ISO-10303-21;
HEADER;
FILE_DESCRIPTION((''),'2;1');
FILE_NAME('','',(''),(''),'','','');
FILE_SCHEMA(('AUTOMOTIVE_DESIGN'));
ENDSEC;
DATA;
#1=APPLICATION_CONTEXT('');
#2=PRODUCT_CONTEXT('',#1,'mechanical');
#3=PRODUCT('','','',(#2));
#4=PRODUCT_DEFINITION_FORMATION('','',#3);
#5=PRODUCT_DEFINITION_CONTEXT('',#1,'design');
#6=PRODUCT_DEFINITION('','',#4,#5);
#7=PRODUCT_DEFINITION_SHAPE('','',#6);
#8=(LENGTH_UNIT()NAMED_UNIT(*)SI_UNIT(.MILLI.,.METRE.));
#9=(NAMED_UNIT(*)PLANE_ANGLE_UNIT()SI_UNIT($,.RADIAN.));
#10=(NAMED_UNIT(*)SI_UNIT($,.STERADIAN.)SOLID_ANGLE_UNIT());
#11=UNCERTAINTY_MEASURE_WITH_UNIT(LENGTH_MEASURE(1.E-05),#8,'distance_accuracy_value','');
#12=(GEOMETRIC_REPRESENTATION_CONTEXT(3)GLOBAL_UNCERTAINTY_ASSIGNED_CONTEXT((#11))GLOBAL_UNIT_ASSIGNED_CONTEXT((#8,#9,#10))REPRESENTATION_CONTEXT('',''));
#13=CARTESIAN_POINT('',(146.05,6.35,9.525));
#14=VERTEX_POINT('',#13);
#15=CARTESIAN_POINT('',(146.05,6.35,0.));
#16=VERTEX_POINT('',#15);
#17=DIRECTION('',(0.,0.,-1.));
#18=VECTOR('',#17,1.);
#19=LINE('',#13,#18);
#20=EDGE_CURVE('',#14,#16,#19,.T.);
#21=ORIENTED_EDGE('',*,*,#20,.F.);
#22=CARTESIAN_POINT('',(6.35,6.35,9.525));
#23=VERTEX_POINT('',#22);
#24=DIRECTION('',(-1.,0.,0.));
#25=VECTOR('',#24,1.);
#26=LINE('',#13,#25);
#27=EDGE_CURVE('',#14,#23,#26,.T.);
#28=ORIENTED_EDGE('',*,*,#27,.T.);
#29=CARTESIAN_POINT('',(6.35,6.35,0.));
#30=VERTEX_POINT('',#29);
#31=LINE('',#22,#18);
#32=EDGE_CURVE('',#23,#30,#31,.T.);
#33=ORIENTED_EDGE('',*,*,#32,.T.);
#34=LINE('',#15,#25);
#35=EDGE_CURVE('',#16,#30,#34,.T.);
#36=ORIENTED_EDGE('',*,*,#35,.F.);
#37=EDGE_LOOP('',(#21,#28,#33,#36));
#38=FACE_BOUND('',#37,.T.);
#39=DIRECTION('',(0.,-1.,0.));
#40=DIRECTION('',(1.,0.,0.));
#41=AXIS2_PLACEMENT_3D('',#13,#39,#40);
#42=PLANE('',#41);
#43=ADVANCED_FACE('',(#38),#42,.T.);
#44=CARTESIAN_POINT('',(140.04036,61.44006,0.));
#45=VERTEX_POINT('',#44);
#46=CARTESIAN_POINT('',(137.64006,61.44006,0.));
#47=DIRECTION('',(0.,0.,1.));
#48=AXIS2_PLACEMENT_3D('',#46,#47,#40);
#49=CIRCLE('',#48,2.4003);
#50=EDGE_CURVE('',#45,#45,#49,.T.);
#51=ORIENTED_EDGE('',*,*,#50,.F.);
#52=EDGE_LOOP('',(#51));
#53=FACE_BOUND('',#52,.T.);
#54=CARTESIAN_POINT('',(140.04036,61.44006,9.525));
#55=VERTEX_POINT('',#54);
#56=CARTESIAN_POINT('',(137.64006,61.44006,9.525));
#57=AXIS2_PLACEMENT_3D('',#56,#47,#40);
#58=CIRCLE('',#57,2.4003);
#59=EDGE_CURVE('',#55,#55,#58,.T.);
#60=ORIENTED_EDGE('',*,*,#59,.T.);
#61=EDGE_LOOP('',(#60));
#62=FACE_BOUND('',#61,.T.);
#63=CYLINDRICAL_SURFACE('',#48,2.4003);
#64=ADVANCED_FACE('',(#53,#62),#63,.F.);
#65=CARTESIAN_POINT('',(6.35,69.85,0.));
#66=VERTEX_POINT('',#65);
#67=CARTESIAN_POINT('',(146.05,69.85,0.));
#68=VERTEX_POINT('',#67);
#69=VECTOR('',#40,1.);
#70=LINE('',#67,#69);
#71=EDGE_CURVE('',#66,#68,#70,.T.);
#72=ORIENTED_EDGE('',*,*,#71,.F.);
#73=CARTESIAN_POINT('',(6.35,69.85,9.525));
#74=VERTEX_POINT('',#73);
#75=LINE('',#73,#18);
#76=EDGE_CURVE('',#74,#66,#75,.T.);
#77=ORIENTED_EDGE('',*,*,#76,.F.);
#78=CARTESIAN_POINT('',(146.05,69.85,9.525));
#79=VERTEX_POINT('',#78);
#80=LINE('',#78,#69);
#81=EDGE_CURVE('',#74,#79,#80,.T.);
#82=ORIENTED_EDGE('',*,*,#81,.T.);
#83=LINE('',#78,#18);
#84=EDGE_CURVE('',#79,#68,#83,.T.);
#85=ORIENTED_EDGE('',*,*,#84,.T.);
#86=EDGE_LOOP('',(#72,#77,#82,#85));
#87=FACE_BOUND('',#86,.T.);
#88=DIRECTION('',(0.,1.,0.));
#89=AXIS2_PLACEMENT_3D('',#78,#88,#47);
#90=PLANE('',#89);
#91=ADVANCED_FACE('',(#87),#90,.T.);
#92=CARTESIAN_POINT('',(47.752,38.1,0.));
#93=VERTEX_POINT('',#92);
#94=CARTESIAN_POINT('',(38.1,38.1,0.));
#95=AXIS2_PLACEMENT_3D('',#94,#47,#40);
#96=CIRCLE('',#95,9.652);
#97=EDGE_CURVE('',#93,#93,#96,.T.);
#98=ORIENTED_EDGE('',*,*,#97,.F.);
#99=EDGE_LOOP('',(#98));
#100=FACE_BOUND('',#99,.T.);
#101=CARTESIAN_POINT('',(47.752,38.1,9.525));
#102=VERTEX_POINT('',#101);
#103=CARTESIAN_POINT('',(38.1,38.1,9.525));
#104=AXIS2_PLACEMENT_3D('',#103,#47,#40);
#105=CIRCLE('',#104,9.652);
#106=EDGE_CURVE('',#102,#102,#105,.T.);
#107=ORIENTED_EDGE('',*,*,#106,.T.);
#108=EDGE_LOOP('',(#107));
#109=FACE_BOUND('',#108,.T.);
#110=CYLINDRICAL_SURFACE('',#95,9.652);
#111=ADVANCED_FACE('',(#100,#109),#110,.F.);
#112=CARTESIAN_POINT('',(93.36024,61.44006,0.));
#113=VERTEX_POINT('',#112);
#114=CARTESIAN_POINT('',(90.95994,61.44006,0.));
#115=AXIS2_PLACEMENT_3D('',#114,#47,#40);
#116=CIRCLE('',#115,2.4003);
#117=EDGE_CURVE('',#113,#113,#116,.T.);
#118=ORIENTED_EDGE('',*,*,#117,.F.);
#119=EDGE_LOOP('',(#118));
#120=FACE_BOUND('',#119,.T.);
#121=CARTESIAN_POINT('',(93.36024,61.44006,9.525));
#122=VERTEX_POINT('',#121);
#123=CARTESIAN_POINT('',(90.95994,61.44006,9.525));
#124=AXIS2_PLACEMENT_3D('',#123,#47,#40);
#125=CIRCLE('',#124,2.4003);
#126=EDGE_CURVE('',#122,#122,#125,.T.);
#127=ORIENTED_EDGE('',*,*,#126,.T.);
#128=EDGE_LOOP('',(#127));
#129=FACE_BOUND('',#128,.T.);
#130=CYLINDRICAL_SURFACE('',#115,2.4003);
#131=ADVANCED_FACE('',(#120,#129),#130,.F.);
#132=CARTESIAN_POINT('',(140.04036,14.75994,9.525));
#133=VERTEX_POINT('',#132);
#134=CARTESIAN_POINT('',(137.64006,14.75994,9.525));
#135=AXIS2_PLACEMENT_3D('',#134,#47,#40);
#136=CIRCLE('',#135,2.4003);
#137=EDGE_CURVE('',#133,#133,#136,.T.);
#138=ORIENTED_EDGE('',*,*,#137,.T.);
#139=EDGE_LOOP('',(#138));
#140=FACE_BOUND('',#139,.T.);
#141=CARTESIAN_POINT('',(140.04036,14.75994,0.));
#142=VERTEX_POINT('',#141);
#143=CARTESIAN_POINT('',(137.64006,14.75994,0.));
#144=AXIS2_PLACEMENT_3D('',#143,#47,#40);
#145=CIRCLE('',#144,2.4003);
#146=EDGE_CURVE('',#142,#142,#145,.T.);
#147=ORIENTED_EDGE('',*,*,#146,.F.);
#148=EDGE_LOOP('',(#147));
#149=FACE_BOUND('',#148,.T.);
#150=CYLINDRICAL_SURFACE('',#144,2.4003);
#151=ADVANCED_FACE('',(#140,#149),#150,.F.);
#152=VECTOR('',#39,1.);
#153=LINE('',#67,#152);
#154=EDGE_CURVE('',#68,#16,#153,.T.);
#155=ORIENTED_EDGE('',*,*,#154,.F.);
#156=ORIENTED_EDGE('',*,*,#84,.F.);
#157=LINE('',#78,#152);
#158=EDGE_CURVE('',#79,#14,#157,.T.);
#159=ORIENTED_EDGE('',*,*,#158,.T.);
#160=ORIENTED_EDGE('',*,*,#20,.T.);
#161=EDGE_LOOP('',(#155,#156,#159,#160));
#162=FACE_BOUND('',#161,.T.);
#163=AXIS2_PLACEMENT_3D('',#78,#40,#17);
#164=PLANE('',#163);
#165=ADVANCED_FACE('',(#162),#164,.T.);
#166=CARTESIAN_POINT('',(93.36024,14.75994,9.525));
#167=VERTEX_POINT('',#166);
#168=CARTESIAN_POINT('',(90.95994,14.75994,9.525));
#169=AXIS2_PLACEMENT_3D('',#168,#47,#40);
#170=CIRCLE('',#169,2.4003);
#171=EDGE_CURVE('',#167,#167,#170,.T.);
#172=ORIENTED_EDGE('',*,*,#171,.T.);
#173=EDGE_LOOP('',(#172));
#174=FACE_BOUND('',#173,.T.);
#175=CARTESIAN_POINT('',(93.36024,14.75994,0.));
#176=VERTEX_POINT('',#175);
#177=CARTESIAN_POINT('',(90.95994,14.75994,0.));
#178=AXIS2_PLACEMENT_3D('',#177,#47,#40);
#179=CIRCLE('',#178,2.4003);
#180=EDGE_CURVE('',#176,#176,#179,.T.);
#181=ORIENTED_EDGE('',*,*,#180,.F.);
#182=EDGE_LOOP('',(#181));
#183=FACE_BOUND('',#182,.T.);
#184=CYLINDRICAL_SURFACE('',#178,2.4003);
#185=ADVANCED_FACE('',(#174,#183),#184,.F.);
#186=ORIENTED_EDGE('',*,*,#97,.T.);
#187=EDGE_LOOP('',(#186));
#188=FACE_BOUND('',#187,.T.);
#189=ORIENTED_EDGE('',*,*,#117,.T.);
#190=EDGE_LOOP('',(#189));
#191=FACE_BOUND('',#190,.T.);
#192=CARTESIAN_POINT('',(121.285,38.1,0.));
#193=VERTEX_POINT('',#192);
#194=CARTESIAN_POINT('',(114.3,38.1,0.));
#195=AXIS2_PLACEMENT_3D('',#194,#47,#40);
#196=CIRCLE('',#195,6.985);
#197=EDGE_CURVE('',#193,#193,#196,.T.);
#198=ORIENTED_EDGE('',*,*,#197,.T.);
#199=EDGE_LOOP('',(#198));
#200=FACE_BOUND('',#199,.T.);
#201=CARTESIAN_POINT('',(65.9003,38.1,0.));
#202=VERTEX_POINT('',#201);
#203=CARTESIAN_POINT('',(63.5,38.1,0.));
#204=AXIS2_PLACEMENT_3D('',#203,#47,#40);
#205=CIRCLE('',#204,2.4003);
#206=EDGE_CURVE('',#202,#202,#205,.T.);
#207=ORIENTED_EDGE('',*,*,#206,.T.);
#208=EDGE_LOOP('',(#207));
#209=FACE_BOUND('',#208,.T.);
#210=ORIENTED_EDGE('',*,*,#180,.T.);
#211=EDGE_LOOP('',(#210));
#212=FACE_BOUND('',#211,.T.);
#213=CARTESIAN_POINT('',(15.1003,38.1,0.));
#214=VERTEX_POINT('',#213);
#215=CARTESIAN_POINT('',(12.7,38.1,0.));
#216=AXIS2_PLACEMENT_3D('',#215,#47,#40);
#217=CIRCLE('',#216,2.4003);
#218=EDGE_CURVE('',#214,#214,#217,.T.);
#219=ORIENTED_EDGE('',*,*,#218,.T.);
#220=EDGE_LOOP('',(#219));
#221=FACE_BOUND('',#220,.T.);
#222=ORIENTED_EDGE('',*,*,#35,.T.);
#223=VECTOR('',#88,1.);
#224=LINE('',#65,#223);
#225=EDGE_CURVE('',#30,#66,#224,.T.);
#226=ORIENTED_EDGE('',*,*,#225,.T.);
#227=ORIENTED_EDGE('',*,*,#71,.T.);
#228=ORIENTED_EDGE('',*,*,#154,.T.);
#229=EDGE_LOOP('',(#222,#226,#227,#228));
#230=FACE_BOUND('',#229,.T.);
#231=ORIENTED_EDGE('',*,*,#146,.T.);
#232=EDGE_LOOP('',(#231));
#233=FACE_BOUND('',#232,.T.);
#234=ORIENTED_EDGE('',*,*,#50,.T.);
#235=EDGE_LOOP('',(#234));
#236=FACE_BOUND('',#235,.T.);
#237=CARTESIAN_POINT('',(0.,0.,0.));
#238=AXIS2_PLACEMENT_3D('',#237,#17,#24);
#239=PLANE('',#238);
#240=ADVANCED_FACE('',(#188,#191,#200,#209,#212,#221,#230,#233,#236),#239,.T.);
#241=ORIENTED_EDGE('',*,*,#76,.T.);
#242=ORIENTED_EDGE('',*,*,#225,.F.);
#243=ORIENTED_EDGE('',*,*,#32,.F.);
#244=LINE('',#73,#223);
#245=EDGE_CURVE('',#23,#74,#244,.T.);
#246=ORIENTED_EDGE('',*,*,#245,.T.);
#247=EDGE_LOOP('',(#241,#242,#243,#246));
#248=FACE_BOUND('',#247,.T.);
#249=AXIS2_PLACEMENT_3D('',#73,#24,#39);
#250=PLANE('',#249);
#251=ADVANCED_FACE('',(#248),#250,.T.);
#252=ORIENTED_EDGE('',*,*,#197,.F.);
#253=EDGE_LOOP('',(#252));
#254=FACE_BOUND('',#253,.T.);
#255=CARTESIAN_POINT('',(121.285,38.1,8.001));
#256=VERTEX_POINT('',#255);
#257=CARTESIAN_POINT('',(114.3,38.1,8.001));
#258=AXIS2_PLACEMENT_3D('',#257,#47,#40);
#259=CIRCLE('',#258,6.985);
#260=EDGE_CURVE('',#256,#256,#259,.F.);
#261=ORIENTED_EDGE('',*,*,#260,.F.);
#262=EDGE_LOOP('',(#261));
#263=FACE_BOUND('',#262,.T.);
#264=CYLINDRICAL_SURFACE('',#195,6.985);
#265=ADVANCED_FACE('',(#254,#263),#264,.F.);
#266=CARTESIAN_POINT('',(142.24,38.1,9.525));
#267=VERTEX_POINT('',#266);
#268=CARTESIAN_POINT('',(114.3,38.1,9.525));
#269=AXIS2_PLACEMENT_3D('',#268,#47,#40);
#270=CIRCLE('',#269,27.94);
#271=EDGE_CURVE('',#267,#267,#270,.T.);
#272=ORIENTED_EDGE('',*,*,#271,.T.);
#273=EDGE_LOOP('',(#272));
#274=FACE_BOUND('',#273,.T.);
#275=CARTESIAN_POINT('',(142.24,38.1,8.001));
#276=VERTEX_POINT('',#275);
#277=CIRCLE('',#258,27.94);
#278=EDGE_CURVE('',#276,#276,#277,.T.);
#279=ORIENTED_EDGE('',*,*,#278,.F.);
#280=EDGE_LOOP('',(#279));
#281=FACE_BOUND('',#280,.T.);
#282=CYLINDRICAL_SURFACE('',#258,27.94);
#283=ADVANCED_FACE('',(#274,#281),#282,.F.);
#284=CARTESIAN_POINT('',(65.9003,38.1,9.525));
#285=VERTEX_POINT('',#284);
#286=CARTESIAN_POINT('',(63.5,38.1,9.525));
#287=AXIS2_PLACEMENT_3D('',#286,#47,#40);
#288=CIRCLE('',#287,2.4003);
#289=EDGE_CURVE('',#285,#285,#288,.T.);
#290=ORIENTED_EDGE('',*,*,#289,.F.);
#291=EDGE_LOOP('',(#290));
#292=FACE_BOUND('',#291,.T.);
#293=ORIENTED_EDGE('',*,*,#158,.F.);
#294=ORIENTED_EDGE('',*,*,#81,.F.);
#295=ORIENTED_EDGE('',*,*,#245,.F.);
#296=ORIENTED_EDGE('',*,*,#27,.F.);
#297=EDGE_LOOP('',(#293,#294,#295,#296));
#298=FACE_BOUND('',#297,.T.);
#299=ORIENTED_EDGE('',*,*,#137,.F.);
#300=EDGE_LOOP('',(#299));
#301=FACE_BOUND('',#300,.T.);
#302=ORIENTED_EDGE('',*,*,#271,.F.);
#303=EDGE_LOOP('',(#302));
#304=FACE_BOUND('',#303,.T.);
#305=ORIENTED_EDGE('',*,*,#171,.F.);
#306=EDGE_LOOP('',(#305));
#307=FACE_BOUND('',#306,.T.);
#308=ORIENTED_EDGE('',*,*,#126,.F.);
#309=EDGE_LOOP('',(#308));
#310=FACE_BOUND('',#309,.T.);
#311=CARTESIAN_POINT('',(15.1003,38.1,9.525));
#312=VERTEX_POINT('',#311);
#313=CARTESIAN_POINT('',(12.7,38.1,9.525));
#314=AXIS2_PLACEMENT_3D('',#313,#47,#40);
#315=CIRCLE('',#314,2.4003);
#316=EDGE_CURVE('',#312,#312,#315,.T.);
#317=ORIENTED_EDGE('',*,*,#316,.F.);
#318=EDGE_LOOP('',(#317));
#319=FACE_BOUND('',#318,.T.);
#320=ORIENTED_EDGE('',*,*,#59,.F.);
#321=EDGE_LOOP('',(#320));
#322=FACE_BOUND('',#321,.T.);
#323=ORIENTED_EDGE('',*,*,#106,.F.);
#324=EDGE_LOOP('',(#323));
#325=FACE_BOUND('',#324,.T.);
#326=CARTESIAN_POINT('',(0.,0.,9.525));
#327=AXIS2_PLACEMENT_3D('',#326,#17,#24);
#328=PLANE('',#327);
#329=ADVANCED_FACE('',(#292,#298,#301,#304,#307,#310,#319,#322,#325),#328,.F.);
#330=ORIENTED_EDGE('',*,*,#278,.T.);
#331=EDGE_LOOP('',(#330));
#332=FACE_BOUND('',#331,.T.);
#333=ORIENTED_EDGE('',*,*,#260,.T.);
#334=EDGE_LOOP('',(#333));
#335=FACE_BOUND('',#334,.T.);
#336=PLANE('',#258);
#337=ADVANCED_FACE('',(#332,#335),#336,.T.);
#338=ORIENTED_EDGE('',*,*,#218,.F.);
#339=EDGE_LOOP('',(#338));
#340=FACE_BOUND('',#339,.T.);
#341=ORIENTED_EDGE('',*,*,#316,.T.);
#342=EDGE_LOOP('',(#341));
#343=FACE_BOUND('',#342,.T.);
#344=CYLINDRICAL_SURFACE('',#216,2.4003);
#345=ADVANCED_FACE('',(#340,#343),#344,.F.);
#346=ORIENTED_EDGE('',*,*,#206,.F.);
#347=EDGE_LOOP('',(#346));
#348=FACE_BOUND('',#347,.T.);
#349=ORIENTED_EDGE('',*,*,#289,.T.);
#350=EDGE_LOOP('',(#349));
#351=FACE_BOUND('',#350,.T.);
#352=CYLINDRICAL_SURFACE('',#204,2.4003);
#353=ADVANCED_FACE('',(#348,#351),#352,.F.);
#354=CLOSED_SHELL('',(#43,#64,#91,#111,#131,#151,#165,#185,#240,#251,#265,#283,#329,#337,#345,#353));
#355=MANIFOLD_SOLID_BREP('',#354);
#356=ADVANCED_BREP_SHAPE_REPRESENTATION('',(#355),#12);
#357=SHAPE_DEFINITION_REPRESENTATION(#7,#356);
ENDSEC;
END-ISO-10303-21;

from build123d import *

# Parameters (mm, degrees)
SKETCH1_W           = 152.4
SKETCH1_H           = 76.2
BOSS_EXTRUDE1_DEPTH = 9.525
SKETCH2_R           = 9.652
SKETCH2_R_2         = 6.985
SKETCH2_R_3         = 2.4003
CUT_EXTRUDE1_DEPTH  = 9.525
SKETCH3_R           = 27.94
CUT_EXTRUDE2_DEPTH  = 1.524
SKETCH4_W           = 152.4
SKETCH4_H           = 76.2
SKETCH4_W_2         = 139.7
SKETCH4_H_2         = 63.5
CUT_EXTRUDE3_DEPTH  = 10.525


with BuildPart() as part:
    # Sketch1 → Boss-Extrude1 (new body)
    with BuildSketch(Plane.XY):
        with Locations((76.2, 38.1)):
            Rectangle(SKETCH1_W, SKETCH1_H)
    extrude(amount=BOSS_EXTRUDE1_DEPTH)

    # Sketch2 → Cut-Extrude1 (cut)
    with BuildSketch(Plane.XY.offset(9.525)):
        with Locations((38.1, 38.1)):
            Circle(SKETCH2_R)
        with Locations((114.3, 38.1)):
            Circle(SKETCH2_R_2)
        with Locations((12.7, 38.1)):
            Circle(SKETCH2_R_3)
        with Locations((63.5, 38.1)):
            Circle(SKETCH2_R_3)
        with Locations((90.95994, 61.44006)):
            Circle(SKETCH2_R_3)
        with Locations((137.64006, 61.44006)):
            Circle(SKETCH2_R_3)
        with Locations((90.95994, 14.75994)):
            Circle(SKETCH2_R_3)
        with Locations((137.64006, 14.75994)):
            Circle(SKETCH2_R_3)
    extrude(amount=-CUT_EXTRUDE1_DEPTH, mode=Mode.SUBTRACT)

    # Sketch3 → Cut-Extrude2 (cut)
    with BuildSketch(Plane.XY.offset(9.525)):
        with Locations((114.3, 38.1)):
            Circle(SKETCH3_R)
    extrude(amount=-CUT_EXTRUDE2_DEPTH, mode=Mode.SUBTRACT)

    # Sketch4 → Cut-Extrude3 (cut, through all)
    with BuildSketch(Plane(origin=(0, 0, 0), x_dir=(-1, 0, 0), z_dir=(0, 0, -1))):
        with Locations((-76.2, 38.1)):
            Rectangle(SKETCH4_W, SKETCH4_H)
        with Locations((-76.2, 38.1)):
            Rectangle(SKETCH4_W_2, SKETCH4_H_2, mode=Mode.SUBTRACT)
    extrude(amount=-CUT_EXTRUDE3_DEPTH, mode=Mode.SUBTRACT)


solid = part.part
